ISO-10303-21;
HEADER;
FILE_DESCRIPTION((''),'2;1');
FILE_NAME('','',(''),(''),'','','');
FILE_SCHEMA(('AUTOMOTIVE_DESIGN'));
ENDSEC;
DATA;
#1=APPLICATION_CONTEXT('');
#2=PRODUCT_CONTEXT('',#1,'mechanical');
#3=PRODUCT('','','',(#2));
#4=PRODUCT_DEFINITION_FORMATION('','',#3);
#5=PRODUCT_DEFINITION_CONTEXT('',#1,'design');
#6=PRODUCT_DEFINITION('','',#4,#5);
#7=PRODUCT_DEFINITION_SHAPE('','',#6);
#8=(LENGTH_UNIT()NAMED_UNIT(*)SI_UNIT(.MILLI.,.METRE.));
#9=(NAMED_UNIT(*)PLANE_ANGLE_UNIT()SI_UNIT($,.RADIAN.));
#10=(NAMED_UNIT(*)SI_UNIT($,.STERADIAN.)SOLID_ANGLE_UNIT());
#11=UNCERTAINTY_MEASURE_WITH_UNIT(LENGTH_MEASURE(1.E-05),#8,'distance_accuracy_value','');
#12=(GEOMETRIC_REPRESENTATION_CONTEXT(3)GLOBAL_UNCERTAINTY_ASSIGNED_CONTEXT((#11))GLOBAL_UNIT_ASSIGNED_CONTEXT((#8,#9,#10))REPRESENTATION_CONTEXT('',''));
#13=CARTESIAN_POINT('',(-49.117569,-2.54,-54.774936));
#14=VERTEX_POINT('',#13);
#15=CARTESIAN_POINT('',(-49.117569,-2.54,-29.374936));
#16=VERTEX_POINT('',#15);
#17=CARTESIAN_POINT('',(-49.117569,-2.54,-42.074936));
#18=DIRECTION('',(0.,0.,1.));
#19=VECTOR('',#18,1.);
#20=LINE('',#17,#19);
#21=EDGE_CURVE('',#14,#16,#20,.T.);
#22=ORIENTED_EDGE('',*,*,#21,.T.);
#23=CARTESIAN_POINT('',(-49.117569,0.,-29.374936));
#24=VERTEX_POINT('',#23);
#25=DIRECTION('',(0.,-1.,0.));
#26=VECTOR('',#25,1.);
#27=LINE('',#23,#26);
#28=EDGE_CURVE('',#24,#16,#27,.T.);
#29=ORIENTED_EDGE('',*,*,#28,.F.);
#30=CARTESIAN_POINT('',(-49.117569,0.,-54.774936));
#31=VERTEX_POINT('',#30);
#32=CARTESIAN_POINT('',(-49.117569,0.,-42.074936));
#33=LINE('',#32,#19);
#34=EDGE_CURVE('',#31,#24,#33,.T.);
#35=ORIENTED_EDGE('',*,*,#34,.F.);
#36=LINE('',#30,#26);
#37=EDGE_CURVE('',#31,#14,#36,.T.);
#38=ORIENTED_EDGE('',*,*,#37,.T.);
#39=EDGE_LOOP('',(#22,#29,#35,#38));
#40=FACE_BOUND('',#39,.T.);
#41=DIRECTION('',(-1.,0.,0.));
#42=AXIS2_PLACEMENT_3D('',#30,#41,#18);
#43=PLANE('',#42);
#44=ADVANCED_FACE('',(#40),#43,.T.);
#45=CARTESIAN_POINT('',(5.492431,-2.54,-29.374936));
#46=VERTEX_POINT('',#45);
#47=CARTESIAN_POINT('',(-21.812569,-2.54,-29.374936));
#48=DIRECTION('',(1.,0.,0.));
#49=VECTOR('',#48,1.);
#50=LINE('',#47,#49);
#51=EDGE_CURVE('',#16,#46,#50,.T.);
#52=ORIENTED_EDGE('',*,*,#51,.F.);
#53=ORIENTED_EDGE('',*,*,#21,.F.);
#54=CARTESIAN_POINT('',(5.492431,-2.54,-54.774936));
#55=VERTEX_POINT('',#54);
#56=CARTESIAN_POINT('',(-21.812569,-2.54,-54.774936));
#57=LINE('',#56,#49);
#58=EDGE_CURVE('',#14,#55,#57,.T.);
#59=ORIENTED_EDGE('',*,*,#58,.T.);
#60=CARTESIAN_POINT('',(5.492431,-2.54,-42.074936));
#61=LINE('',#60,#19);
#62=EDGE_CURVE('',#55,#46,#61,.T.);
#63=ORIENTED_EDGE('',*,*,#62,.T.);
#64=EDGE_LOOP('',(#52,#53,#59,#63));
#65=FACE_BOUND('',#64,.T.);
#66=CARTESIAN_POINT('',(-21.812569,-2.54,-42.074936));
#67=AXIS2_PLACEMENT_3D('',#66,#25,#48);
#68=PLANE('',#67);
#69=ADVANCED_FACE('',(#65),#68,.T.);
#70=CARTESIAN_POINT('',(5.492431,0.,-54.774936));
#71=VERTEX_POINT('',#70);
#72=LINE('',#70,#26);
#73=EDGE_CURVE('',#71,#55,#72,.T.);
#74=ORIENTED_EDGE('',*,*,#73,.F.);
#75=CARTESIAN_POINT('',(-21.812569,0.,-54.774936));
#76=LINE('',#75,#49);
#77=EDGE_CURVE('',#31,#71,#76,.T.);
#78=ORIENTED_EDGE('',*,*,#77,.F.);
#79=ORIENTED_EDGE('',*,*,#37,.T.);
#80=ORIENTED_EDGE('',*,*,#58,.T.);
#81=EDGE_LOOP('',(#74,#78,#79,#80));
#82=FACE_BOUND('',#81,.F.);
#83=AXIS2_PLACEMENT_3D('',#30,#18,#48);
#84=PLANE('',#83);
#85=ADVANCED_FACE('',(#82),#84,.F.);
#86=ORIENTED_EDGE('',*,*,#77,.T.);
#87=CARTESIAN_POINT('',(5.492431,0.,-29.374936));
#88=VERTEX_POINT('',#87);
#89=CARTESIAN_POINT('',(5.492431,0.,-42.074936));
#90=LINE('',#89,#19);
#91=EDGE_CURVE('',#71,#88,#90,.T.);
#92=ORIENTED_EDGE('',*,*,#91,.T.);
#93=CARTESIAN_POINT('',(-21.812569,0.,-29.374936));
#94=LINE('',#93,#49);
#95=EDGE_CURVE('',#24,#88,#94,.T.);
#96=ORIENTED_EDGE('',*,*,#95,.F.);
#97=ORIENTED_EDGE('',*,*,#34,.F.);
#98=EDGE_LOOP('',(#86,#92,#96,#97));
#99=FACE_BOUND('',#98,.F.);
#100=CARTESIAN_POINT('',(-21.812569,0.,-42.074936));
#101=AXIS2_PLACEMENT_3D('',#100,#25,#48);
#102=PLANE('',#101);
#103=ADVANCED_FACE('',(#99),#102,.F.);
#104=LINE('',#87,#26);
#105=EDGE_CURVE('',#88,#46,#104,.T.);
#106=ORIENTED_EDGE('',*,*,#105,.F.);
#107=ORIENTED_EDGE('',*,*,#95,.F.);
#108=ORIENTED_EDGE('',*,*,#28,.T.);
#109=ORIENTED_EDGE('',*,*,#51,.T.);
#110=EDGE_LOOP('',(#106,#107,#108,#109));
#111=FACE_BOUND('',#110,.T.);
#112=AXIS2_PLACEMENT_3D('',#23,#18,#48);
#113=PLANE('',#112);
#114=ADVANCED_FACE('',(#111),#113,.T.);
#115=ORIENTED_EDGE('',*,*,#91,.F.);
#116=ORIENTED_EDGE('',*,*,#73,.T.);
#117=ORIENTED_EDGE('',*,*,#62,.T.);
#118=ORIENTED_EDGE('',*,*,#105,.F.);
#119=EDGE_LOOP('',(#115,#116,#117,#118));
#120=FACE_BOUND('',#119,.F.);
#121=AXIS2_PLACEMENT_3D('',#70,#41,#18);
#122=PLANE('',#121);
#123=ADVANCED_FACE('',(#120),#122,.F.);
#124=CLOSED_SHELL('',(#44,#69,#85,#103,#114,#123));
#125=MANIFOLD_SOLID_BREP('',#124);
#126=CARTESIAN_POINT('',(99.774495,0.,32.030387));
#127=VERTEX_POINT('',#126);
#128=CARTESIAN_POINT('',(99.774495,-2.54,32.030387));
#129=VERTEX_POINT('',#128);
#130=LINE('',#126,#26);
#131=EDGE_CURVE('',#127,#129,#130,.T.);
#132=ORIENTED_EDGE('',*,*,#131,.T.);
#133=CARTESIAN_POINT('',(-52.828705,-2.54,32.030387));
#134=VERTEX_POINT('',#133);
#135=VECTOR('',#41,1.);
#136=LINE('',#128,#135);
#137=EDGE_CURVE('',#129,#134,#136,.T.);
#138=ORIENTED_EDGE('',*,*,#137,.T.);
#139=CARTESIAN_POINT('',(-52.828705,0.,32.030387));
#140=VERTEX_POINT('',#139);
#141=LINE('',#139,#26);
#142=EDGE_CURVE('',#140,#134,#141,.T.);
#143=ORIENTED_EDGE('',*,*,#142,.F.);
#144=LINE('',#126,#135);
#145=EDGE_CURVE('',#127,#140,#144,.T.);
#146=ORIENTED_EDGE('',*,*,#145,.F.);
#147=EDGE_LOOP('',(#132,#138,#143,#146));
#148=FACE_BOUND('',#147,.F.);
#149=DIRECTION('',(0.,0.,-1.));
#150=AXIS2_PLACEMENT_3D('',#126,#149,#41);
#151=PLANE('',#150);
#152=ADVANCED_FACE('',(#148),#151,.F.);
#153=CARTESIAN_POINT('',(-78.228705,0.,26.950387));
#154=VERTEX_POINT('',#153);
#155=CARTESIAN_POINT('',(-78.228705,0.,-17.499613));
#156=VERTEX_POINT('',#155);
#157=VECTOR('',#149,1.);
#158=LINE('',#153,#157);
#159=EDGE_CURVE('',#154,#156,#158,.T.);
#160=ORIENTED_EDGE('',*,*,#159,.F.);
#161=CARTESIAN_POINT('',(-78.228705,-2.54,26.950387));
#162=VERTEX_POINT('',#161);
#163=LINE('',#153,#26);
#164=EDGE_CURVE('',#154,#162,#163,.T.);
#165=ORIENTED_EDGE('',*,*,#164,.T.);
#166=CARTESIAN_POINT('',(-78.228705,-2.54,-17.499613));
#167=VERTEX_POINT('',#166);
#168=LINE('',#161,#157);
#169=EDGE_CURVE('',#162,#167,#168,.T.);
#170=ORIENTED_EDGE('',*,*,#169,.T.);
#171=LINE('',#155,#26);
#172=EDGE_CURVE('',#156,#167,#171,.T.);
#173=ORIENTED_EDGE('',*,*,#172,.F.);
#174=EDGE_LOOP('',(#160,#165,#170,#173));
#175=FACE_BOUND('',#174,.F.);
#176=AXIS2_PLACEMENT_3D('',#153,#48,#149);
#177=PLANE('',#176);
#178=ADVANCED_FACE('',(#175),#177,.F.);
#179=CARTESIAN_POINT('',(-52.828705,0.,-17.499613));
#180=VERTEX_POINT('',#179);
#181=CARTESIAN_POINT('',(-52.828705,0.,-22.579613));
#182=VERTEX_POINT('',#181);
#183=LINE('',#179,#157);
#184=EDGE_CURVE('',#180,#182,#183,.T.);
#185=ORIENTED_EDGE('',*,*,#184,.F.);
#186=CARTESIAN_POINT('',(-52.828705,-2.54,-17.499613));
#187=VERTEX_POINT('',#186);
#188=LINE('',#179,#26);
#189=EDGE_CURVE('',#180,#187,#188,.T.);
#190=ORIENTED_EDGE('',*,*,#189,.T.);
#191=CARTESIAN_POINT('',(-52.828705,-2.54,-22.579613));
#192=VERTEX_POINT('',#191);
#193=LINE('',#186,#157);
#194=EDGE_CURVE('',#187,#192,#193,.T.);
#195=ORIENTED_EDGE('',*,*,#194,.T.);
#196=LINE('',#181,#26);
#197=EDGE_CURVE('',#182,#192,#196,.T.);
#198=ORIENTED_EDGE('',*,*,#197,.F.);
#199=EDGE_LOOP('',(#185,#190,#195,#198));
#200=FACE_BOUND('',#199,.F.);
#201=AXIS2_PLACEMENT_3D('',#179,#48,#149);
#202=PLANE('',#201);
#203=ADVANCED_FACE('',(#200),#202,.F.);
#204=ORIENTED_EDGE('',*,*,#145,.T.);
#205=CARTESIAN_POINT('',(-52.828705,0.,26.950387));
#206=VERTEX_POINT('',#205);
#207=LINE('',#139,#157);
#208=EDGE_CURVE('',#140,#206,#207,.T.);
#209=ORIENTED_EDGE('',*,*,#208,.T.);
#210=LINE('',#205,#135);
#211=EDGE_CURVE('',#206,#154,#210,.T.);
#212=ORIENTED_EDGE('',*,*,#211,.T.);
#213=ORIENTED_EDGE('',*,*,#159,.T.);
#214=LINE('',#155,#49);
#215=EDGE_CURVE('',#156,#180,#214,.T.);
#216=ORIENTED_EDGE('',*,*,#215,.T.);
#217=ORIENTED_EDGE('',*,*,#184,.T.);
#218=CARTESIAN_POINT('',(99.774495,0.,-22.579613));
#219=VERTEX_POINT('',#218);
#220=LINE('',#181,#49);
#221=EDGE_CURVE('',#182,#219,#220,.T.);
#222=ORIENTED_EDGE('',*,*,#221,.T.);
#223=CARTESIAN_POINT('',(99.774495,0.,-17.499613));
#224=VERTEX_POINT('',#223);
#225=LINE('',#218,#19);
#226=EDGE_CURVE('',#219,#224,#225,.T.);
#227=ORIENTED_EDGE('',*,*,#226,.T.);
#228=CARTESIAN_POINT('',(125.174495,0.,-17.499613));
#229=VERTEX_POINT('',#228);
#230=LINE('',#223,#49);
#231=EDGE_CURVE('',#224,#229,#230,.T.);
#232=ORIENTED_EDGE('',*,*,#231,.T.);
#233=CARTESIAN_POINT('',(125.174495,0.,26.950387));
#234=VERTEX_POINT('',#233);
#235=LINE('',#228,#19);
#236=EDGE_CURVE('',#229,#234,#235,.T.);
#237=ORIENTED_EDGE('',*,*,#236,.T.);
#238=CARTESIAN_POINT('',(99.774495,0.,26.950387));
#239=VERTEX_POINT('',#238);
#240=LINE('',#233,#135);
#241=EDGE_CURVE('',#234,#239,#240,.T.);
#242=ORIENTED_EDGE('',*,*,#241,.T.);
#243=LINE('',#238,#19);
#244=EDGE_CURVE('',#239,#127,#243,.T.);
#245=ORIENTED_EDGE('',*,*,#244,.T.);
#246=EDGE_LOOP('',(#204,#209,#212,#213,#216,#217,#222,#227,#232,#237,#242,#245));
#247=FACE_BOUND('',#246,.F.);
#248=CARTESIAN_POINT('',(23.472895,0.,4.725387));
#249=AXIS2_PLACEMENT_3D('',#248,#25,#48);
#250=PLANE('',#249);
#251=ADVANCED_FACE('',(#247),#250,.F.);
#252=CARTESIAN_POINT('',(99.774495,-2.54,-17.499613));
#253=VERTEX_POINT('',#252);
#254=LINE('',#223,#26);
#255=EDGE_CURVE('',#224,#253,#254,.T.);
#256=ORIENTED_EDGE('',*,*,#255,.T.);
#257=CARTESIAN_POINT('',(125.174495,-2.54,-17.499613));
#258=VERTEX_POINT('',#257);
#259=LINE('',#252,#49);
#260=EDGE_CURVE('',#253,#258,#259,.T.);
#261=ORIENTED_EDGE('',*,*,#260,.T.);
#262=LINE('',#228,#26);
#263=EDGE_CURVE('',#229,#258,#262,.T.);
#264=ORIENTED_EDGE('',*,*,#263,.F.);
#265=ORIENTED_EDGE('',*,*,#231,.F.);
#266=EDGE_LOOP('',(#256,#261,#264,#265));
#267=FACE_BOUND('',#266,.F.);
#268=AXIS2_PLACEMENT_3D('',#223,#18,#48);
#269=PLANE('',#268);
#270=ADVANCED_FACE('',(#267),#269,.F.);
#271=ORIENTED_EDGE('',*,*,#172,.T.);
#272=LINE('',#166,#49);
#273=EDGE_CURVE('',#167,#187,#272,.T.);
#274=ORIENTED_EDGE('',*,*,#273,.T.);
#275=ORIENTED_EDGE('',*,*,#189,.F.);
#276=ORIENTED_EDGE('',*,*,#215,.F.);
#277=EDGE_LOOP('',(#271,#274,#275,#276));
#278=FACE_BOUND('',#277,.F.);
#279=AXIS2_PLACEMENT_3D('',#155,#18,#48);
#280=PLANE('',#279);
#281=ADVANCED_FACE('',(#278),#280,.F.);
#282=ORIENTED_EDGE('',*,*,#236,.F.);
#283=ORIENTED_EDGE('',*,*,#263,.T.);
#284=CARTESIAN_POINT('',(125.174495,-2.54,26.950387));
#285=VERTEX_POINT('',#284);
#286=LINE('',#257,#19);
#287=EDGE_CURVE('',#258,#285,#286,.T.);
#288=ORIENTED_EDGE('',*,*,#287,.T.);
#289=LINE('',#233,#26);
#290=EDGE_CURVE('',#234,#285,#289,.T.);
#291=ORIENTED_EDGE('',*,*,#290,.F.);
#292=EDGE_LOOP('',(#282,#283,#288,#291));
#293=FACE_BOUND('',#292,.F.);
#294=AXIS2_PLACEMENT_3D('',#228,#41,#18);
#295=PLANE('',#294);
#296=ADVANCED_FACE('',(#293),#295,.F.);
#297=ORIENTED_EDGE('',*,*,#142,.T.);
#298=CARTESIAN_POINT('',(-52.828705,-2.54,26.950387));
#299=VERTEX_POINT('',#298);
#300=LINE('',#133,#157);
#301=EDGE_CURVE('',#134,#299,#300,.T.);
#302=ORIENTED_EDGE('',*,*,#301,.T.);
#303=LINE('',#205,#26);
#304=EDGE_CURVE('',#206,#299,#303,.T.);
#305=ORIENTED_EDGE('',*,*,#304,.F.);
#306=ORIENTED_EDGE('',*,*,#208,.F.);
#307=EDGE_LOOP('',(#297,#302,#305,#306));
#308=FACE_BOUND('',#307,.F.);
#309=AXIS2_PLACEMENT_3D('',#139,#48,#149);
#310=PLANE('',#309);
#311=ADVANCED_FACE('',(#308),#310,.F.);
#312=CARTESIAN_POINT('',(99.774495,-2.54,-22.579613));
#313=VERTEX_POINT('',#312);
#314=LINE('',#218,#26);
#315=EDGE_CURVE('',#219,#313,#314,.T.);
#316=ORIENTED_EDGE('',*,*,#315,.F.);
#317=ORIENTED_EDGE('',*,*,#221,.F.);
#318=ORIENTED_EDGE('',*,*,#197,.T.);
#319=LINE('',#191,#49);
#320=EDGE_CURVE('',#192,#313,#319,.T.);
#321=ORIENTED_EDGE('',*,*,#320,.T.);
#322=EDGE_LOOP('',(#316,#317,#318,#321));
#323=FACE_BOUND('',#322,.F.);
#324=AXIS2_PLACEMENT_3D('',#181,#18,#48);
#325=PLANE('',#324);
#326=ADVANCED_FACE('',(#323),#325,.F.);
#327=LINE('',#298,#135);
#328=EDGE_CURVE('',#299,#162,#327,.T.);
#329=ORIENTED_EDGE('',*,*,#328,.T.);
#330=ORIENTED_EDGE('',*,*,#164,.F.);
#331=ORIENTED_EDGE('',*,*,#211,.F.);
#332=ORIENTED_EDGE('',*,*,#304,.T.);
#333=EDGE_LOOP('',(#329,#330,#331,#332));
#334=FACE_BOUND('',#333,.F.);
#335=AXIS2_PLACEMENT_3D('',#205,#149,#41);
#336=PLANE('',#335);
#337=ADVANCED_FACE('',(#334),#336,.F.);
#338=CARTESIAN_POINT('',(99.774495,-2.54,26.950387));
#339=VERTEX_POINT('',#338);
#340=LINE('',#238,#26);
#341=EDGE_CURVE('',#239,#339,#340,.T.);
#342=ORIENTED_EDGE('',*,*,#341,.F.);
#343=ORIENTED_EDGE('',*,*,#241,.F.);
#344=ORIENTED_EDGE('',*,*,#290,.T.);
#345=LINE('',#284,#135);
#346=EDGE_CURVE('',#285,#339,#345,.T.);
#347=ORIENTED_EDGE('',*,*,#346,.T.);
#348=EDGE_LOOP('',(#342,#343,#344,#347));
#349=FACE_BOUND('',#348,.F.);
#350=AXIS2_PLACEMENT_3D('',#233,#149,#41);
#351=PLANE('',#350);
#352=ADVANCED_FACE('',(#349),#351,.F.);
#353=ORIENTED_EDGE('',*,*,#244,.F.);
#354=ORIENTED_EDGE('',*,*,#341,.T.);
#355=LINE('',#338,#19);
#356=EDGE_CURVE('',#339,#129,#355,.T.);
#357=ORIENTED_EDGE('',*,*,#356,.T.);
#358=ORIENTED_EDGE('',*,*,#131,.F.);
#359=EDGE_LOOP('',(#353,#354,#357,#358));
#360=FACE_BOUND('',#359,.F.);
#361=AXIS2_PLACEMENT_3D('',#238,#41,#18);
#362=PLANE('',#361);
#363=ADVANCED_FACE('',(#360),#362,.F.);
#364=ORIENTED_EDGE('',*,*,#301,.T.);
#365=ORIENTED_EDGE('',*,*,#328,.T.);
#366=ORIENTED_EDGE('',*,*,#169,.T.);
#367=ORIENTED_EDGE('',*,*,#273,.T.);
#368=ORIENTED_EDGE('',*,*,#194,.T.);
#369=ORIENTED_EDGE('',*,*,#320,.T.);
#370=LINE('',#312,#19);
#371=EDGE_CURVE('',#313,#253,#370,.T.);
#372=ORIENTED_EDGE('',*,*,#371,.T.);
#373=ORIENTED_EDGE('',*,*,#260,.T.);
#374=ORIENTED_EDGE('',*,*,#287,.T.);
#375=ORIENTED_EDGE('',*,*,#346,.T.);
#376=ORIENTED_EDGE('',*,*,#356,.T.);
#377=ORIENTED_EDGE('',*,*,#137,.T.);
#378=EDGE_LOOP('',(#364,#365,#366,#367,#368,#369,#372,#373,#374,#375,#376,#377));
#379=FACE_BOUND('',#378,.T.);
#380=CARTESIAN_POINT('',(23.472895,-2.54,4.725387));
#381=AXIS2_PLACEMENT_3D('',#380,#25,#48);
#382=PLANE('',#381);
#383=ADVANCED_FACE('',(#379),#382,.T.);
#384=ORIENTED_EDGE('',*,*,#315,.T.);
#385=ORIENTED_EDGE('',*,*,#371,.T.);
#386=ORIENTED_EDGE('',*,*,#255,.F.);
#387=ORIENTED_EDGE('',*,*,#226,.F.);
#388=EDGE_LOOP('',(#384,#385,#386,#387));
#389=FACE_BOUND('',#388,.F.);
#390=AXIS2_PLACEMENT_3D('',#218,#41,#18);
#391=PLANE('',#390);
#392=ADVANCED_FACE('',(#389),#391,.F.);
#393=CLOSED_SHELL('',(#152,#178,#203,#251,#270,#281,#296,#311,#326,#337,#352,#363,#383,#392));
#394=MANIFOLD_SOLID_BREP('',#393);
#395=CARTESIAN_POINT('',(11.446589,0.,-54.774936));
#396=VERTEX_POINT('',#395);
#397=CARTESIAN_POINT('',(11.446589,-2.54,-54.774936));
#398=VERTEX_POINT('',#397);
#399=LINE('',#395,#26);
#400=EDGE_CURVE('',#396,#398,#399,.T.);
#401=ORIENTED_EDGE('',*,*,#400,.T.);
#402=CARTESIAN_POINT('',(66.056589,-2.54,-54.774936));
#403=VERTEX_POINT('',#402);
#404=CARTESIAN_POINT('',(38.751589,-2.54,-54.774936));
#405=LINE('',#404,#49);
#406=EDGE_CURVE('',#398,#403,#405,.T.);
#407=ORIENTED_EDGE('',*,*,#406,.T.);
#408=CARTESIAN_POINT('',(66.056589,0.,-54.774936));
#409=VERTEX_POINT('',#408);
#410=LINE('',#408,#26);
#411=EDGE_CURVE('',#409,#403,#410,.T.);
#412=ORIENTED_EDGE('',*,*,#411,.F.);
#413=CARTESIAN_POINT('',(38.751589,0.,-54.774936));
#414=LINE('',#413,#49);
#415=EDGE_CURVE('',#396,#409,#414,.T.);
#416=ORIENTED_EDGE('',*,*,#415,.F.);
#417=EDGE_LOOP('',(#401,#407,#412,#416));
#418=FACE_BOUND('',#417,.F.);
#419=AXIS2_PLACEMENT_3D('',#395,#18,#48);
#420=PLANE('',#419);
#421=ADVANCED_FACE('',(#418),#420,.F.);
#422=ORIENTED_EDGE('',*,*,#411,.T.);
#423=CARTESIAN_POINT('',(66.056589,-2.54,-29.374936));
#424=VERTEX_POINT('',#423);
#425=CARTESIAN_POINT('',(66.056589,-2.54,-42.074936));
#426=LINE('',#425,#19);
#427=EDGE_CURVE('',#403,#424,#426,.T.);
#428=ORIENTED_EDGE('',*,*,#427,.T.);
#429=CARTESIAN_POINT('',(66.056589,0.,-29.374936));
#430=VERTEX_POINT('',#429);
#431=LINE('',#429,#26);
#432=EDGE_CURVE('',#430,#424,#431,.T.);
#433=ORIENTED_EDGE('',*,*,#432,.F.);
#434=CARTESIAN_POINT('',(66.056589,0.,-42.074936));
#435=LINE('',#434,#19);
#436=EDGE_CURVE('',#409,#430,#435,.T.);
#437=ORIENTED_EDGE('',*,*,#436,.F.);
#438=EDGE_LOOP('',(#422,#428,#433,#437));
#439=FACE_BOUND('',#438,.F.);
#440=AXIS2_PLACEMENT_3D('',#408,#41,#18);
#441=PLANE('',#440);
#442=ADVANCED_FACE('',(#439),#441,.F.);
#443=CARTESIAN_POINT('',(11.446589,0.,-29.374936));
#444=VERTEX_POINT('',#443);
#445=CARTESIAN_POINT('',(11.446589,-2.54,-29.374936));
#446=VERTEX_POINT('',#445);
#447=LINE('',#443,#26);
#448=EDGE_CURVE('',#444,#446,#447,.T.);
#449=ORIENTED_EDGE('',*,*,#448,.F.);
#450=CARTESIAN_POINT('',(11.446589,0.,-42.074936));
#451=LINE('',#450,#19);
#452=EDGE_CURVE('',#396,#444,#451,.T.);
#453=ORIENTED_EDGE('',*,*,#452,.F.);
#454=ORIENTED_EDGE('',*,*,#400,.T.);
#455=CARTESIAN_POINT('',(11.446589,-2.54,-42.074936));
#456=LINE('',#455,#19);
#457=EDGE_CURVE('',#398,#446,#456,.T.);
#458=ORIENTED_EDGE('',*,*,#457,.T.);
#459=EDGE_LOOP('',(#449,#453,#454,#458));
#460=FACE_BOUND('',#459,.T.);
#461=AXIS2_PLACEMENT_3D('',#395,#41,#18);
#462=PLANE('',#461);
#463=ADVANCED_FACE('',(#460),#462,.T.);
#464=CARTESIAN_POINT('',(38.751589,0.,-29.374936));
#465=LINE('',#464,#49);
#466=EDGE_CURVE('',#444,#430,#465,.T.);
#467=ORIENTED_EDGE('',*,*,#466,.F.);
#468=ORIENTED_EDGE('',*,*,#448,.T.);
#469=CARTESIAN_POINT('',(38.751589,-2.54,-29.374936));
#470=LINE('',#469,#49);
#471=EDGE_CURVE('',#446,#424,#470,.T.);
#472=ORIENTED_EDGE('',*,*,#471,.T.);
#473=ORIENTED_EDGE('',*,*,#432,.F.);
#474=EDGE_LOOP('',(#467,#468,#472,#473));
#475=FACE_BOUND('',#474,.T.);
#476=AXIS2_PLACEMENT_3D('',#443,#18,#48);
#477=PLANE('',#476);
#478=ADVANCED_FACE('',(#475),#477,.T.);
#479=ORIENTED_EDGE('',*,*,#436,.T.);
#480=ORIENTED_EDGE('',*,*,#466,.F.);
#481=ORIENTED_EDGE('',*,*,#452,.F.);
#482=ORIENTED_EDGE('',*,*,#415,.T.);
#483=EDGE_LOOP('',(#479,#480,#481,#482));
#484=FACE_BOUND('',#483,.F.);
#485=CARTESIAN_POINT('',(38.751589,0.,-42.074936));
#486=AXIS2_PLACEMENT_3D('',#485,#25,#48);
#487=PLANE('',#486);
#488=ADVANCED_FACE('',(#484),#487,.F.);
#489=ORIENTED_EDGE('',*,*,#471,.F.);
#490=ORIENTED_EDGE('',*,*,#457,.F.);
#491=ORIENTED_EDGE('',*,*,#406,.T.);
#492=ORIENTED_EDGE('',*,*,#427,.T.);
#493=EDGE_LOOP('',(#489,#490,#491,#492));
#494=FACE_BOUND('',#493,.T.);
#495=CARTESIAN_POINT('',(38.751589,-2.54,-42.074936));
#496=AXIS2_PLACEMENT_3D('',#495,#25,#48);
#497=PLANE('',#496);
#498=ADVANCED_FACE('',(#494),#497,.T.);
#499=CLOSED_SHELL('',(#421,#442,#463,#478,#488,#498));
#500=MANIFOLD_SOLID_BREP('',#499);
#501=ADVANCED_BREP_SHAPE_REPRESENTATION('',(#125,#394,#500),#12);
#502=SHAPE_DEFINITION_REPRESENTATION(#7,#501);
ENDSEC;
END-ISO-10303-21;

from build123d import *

# Parameters (mm, degrees)
F0_W     = 54.61
F0_H     = 25.4
F1_DEPTH = 2.54


with BuildPart() as f1:
    # F0 (on Front) → F1 (new body)
    with BuildSketch(Plane.XZ):
        Polygon((-52.828705, -17.499613), (-52.828705, -22.579613), (99.774495, -22.579613), (99.774495, -17.499613), (125.174495, -17.499613), (125.174495, 26.950387), (99.774495, 26.950387), (99.774495, 32.030387), (-52.828705, 32.030387), (-52.828705, 26.950387), (-78.228705, 26.950387), (-78.228705, -17.499613), align=None)
        with Locations((38.751589, -42.074936)):
            Rectangle(F0_W, F0_H)
        with Locations((-21.812569, -42.074936)):
            Rectangle(F0_W, F0_H)
    extrude(amount=F1_DEPTH)


solid = f1.part
